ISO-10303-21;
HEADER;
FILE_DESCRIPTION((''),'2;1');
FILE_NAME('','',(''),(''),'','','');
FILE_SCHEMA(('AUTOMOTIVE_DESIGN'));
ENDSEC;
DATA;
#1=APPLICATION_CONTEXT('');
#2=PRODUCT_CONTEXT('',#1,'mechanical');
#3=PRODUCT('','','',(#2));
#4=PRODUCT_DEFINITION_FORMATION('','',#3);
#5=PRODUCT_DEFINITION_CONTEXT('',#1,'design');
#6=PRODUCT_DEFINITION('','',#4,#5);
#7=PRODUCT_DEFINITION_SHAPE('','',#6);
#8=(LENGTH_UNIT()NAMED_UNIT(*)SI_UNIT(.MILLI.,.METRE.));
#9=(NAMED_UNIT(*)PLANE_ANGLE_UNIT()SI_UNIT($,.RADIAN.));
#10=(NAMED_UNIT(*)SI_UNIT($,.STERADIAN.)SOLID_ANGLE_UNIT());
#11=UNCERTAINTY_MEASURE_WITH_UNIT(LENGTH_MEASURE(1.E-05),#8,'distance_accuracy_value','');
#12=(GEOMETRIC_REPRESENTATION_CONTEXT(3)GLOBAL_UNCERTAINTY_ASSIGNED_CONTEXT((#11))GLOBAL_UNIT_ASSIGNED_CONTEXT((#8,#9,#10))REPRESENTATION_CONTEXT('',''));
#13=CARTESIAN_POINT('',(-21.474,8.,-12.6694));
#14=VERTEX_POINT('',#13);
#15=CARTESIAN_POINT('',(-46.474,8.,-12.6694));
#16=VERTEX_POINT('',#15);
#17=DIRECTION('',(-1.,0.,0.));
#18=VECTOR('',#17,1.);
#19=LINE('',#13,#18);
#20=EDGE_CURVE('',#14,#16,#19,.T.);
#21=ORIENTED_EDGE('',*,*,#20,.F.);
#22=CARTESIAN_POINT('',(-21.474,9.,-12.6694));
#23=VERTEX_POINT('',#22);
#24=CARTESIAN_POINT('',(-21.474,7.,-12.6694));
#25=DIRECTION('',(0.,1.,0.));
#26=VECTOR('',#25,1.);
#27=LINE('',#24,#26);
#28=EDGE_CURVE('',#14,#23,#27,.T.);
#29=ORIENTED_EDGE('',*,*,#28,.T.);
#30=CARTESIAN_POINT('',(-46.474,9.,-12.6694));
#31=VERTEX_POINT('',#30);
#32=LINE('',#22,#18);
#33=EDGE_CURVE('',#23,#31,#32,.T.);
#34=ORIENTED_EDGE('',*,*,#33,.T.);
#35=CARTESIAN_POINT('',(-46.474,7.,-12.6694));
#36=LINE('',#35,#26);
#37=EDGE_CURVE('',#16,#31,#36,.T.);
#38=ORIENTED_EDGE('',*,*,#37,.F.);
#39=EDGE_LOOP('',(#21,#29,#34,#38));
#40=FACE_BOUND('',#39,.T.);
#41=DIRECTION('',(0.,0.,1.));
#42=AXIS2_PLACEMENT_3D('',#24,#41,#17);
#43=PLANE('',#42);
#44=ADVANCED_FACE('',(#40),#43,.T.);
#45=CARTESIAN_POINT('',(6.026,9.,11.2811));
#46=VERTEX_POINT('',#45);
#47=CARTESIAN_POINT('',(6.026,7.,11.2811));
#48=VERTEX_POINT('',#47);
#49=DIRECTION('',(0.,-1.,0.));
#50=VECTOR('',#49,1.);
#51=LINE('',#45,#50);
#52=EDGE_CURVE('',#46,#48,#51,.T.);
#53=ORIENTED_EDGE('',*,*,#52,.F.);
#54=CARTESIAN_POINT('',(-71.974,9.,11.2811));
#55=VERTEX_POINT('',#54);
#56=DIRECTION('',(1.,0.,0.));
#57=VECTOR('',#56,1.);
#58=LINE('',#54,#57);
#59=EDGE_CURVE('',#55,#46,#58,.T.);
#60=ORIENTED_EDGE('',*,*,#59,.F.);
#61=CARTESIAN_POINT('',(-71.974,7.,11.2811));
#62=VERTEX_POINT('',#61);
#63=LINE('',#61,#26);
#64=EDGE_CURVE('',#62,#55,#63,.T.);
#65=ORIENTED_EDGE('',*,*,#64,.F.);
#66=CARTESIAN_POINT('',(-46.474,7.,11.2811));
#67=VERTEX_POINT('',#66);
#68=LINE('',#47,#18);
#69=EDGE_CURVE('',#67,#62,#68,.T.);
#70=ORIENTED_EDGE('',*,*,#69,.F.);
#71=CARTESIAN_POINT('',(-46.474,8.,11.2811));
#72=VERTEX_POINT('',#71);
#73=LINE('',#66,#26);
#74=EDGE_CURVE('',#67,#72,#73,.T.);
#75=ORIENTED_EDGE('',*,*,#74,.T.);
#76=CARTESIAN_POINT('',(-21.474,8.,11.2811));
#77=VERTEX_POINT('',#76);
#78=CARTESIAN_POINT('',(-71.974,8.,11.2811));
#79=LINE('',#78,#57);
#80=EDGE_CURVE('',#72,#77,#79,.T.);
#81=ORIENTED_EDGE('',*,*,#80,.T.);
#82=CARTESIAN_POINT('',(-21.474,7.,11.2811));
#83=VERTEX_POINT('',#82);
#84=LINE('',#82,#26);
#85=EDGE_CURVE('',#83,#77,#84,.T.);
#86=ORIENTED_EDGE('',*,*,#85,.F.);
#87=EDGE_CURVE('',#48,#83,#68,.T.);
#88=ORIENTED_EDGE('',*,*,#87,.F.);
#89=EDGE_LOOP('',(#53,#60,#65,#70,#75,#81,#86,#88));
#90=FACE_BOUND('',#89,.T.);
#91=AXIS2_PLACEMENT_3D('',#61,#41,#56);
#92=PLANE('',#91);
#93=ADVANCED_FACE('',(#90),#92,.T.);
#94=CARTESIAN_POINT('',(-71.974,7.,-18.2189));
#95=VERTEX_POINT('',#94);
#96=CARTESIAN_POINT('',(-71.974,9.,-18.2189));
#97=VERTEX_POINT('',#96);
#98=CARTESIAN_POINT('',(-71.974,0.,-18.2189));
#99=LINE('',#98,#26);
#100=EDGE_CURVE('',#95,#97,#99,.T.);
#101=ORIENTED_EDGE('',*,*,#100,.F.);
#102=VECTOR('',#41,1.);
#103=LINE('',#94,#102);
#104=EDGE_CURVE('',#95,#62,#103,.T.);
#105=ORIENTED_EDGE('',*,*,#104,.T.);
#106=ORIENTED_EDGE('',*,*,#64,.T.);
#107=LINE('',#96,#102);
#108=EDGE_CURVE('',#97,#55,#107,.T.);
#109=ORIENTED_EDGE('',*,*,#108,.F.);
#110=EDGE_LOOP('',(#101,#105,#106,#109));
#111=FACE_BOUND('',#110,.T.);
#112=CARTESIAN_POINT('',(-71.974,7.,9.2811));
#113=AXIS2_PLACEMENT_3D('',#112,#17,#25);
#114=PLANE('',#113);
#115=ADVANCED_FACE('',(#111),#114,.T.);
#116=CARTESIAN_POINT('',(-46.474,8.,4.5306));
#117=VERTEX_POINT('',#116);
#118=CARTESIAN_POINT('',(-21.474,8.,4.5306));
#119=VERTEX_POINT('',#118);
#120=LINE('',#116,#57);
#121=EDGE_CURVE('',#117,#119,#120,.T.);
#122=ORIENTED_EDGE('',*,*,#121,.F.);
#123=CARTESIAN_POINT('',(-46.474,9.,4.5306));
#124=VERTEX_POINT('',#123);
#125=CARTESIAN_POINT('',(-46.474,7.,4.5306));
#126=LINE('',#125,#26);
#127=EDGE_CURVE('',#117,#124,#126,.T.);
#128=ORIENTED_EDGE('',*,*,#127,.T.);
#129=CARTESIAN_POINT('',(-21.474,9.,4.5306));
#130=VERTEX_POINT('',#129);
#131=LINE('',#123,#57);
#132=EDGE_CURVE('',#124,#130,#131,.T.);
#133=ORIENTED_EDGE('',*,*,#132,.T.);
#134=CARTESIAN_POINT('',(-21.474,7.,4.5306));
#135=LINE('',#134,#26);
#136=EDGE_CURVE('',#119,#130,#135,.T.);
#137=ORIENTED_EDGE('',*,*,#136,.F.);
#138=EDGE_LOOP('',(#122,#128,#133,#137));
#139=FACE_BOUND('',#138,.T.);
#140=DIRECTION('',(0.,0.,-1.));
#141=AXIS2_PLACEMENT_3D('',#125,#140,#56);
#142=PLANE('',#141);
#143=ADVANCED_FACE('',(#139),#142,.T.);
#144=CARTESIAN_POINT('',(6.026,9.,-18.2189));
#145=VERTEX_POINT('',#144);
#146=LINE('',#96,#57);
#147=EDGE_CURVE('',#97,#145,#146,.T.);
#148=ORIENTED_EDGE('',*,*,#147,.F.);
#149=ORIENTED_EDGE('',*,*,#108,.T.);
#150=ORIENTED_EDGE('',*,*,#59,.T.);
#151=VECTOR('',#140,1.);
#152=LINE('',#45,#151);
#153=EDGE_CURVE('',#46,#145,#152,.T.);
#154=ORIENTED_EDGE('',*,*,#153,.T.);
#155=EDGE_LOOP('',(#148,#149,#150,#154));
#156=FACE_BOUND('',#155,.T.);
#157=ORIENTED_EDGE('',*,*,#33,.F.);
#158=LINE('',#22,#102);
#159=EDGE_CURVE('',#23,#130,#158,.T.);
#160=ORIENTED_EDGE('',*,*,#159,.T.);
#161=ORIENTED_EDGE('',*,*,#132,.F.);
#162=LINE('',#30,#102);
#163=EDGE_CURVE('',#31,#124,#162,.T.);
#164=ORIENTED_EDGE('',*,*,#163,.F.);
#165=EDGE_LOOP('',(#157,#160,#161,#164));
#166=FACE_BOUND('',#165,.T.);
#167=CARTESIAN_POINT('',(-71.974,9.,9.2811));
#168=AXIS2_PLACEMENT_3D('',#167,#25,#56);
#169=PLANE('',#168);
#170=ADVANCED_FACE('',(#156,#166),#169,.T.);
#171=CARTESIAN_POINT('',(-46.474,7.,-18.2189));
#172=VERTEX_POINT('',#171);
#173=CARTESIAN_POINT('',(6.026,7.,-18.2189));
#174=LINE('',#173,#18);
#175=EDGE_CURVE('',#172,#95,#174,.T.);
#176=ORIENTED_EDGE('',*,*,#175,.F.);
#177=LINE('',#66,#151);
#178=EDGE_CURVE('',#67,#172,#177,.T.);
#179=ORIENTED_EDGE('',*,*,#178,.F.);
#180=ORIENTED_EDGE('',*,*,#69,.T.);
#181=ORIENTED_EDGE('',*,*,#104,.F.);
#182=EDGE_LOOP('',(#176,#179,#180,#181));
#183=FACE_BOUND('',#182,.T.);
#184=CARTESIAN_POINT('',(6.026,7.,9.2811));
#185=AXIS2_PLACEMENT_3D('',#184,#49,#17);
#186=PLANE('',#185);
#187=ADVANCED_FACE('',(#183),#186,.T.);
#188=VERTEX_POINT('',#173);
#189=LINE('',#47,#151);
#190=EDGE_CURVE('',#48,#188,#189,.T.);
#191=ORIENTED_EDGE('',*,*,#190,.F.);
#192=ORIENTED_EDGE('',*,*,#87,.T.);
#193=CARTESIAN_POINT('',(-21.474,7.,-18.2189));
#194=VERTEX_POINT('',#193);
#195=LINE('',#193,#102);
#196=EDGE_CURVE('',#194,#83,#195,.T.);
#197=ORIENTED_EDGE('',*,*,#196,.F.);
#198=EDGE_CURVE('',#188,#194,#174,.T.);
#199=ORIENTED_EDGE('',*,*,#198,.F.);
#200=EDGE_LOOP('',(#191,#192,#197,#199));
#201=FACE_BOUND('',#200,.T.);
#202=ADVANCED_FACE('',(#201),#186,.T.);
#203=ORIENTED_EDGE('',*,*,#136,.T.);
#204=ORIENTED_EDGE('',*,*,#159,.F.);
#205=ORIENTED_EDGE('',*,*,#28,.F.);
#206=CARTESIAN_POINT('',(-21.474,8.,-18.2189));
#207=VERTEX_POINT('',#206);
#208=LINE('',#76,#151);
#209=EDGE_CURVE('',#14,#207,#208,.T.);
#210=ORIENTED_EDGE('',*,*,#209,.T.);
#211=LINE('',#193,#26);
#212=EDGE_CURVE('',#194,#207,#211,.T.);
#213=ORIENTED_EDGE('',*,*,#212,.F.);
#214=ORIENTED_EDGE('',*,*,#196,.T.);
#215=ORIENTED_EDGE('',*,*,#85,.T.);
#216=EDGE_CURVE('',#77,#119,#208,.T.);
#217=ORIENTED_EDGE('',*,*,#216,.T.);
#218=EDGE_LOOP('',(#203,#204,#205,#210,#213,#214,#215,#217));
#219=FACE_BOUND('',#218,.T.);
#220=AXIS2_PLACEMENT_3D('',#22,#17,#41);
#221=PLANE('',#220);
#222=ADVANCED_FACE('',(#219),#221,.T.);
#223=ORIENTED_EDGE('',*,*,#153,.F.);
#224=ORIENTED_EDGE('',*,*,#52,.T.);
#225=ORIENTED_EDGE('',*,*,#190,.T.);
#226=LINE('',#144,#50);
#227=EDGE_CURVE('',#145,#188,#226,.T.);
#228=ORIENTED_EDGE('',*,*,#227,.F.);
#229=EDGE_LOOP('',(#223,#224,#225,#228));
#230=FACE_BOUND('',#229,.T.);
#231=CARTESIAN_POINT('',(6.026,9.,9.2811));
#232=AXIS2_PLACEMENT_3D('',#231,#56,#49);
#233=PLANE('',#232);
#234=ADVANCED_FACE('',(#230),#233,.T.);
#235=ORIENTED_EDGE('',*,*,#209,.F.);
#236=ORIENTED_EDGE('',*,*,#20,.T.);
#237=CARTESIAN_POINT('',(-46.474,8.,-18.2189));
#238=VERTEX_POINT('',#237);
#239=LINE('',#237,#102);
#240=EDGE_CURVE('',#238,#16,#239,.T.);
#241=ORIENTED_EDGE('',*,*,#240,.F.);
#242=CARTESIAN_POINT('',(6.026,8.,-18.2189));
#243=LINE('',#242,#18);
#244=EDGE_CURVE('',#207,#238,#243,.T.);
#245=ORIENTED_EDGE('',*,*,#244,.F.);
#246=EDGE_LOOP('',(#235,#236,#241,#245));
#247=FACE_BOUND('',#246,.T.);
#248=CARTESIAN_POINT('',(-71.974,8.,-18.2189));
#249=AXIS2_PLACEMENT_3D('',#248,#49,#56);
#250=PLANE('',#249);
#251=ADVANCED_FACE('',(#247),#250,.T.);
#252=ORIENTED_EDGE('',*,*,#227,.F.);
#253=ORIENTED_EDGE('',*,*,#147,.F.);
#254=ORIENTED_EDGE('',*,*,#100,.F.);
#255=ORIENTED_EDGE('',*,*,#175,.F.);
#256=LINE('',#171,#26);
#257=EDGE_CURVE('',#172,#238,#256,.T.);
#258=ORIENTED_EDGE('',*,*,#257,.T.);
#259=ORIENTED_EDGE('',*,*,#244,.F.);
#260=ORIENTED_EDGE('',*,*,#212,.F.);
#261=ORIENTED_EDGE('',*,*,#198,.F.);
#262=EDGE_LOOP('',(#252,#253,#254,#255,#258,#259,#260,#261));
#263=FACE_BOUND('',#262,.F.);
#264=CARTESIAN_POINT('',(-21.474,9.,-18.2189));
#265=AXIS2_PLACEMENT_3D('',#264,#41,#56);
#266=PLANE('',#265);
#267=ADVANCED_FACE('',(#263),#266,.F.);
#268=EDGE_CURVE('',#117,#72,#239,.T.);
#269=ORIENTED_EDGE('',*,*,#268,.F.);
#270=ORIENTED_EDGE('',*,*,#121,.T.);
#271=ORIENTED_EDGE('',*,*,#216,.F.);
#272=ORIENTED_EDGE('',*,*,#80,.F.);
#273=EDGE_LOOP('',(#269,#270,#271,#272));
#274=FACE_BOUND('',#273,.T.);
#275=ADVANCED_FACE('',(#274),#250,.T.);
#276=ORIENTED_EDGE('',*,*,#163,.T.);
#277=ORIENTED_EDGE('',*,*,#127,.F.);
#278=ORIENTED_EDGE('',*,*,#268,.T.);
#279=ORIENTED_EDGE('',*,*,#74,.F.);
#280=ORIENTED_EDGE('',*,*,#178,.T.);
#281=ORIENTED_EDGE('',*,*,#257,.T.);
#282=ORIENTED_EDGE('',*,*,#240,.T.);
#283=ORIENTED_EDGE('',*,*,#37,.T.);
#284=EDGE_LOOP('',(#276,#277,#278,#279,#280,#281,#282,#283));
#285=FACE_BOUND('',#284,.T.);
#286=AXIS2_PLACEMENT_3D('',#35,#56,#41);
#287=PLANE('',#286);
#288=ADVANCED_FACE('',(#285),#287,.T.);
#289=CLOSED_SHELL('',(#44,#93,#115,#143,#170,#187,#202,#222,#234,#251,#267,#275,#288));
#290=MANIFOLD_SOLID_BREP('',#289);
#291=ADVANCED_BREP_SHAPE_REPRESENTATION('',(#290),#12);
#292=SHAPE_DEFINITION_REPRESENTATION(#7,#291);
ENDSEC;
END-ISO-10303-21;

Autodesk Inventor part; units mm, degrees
ref_plane "YZ Plane" through (0, 0, 0) normal (1, 0, 0) x (0, 1, 0)
ref_plane "XZ Plane" through (0, 0, 0) normal (0, 1, 0) x (-1, 0, 0)
sketch "Sketch1" plane through (0, 0, 0) normal (0, 1, 0) x (-1, 0, 0)
  line L0 (71.974, 9.2811) -> (-6.026, 9.2811)
  line L1 (-6.026, 9.2811) -> (-6.026, -18.2189)
  line L2 (-6.026, -18.2189) -> (71.974, -18.2189)
  line L3 (71.974, -18.2189) -> (71.974, 9.2811)
  point P0 (0, 0)
  dimension "d0" = 27.5
  dimension "d1" = 78
extrude "Extrusion1" add sketch "Sketch1" along normal blind 9
sketch "Sketch2" plane through (0, 9, 0) normal (0, 1, 0) x (1, 0, 0)
  line L0 (6.026, 18.2189) -> (-71.974, 18.2189) projected
  line L1 (-71.974, -9.2811) -> (6.026, -9.2811) projected
  line L2 (6.026, 18.2189) -> (-19.474, 18.2189)
  line L3 (-19.474, 18.2189) -> (-19.474, -9.2811)
  line L4 (-19.474, -9.2811) -> (6.026, -9.2811)
  line L5 (6.026, -9.2811) -> (6.026, 18.2189)
  point P0 (0, 0)
  point P1 (6.026, -9.2811)
  point P2 (-19.474, 18.2189)
  dimension "d4" = 25.5
extrude "Extrusion2" cut sketch "Sketch2" against normal blind 7
sketch "Sketch3" plane through (0, 2, 0) normal (0, 1, 0) x (1, 0, 0)
  point P0 (0, 0)
sketch "Sketch4" plane through (0, 2, 0) normal (0, 1, 0) x (1, 0, 0)
  line L0 (-19.474, -9.2811) -> (-19.474, 18.2189) projected
  line L1 (6.026, -9.2811) -> (6.026, 18.2189) projected
  line L2 (-19.474, 18.2189) -> (6.026, 18.2189)
  line L3 (6.026, 18.2189) -> (6.026, 16.7189)
  line L4 (6.026, 16.7189) -> (-19.474, 16.7189)
  line L5 (-19.474, 16.7189) -> (-19.474, 18.2189)
  point P0 (0, 0)
  point P1 (6.026, 18.2189)
  point P2 (-19.474, 16.7189)
  dimension "d7" = 1.5
extrude "Extrusion3" add sketch "Sketch4" along normal blind 7
sketch "Sketch5" plane through (-71.974, 0, 9.2811) normal (0, 0, 1) x (1, 0, 0)
  line L0 (0, 9) -> (52.5, 9) projected
  line L1 (50.5, 9) -> (50.5, 0)
  line L2 (0, 0) -> (78, 0) projected
  line L3 (52.5, 2) -> (52.5, 9) projected
  line L4 (50.5, 7) -> (0, 7)
  line L5 (52.5, 2) -> (52.5, 9) projected
  line L6 (0, 9) -> (52.5, 9) projected
  line L7 (0, 0) -> (0, 9) projected
  line L8 (0, 0) -> (78, 0) projected
  line L9 (78, 0) -> (78, 2) projected
  line L10 (78, 2) -> (52.5, 2) projected
  point P0 (71.974, 0)
  point P1 (0, 7)
  dimension "d10" = 2
  dimension "d11" = 2
extrude "Extrusion4" cut sketch "Sketch5" against normal blind 44 contours L4 L1 L2 L7
sketch "Sketch8" plane through (-71.974, 7, 9.2811) normal (0, -1, 0) x (1, 0, 0)
  line L0 (50.5, -21.9505) -> (25.5, -21.9505)
  line L1 (25.5, -21.9505) -> (25.5, -4.7505)
  line L2 (25.5, -4.7505) -> (50.5, -4.7505)
  line L3 (50.5, -4.7505) -> (50.5, -21.9505)
  line L4 (50.5, 0) -> (50.5, -27.5) projected
  point P0 (71.974, -9.2811)
  dimension "d20" = 17.2
  dimension "d21" = 25
  dimension "d22" = 0
extrude "Extrusion6" cut sketch "Sketch8" against normal blind 2
ref_plane "Work Plane2" through (-21.474, 0, -18.2189) normal (-1, 0, 0) x (0, 0, 1)
split "Split2" plane through (-21.474, 0, -18.2189) removes the side toward (1, 0, 0)
sketch "Sketch10" plane through (0, 9, 0) normal (0, 1, 0) x (1, 0, 0)
  line L0 (-71.974, 18.2189) -> (6.026, 18.2189)
  line L1 (6.026, 18.2189) -> (6.026, -9.2811)
  line L2 (6.026, -9.2811) -> (-71.974, -9.2811)
  line L3 (-71.974, -9.2811) -> (-71.974, 18.2189)
  line L4 (-21.474, 12.6694) -> (-46.474, 12.6694) projected
  line L5 (-21.474, 12.6694) -> (-21.474, -9.2811)
  line L6 (-21.474, -9.2811) -> (-21.474, -4.5306) projected
  line L7 (-21.474, -4.5306) -> (-46.474, -4.5306) projected
  line L8 (-46.474, -4.5306) -> (-46.474, 12.6694) projected
  line L9 (-46.474, 12.6694) -> (-21.474, 12.6694) projected
  line L10 (-21.474, 12.6694) -> (-21.474, 18.2189) projected
  line L11 (-21.474, 18.2189) -> (-71.974, 18.2189) projected
  line L12 (-71.974, 18.2189) -> (-71.974, -9.2811) projected
  line L13 (-71.974, -9.2811) -> (-21.474, -9.2811) projected
  point P0 (0, 0)
  dimension "d32" = 78
  dimension "d33" = 27.5
extrude "Extrusion7" add sketch "Sketch10" against normal blind 2 contours L0 L1 L2 L5 L10
sketch "Sketch11" plane through (-71.974, 7, 9.2811) normal (0, 0, 1) x (1, 0, 0)
  line L0 (0, 2) -> (78, 2) projected
  line L1 (0, 0) -> (0, 2) projected
  line L2 (78, 0) -> (0, 0) projected
  line L3 (78, 2) -> (78, 0) projected
  point P0 (71.974, -7)
extrude "Extrusion8" add sketch "Sketch11" along normal blind 2
sketch "Sketch12" plane through (-71.974, 7, -18.2189) normal (0, -1, 0) x (1, 0, 0)
  line L0 (0, 0) -> (0, 29.5) projected
  line L1 (78, 0) -> (0, 0) projected
  line L2 (78, 0) -> (78, 29.5) projected
  line L3 (0, 29.5) -> (78, 29.5) projected
  line L4 (50.5, 22.7495) -> (50.5, 5.5495) projected
  line L5 (50.5, 5.5495) -> (25.5, 5.5495) projected
  line L6 (25.5, 5.5495) -> (25.5, 22.7495) projected
  line L7 (25.5, 22.7495) -> (50.5, 22.7495) projected
  line L8 (78, 0) -> (0, 0) projected
  line L9 (50.5, 0) -> (25.5, 0)
  line L10 (25.5, 0) -> (25.5, 29.5)
  line L11 (25.5, 29.5) -> (50.5, 29.5)
  line L12 (50.5, 29.5) -> (50.5, 0)
  point P0 (71.974, 18.2189)
  point P1 (50.5, 0)
  point P2 (25.5, 0)
extrude "Extrusion9" cut sketch "Sketch12" against normal blind 1 contours L10 L5 L12 L1 | L3 L12 L7 L10
properties part number "pokrywka"
